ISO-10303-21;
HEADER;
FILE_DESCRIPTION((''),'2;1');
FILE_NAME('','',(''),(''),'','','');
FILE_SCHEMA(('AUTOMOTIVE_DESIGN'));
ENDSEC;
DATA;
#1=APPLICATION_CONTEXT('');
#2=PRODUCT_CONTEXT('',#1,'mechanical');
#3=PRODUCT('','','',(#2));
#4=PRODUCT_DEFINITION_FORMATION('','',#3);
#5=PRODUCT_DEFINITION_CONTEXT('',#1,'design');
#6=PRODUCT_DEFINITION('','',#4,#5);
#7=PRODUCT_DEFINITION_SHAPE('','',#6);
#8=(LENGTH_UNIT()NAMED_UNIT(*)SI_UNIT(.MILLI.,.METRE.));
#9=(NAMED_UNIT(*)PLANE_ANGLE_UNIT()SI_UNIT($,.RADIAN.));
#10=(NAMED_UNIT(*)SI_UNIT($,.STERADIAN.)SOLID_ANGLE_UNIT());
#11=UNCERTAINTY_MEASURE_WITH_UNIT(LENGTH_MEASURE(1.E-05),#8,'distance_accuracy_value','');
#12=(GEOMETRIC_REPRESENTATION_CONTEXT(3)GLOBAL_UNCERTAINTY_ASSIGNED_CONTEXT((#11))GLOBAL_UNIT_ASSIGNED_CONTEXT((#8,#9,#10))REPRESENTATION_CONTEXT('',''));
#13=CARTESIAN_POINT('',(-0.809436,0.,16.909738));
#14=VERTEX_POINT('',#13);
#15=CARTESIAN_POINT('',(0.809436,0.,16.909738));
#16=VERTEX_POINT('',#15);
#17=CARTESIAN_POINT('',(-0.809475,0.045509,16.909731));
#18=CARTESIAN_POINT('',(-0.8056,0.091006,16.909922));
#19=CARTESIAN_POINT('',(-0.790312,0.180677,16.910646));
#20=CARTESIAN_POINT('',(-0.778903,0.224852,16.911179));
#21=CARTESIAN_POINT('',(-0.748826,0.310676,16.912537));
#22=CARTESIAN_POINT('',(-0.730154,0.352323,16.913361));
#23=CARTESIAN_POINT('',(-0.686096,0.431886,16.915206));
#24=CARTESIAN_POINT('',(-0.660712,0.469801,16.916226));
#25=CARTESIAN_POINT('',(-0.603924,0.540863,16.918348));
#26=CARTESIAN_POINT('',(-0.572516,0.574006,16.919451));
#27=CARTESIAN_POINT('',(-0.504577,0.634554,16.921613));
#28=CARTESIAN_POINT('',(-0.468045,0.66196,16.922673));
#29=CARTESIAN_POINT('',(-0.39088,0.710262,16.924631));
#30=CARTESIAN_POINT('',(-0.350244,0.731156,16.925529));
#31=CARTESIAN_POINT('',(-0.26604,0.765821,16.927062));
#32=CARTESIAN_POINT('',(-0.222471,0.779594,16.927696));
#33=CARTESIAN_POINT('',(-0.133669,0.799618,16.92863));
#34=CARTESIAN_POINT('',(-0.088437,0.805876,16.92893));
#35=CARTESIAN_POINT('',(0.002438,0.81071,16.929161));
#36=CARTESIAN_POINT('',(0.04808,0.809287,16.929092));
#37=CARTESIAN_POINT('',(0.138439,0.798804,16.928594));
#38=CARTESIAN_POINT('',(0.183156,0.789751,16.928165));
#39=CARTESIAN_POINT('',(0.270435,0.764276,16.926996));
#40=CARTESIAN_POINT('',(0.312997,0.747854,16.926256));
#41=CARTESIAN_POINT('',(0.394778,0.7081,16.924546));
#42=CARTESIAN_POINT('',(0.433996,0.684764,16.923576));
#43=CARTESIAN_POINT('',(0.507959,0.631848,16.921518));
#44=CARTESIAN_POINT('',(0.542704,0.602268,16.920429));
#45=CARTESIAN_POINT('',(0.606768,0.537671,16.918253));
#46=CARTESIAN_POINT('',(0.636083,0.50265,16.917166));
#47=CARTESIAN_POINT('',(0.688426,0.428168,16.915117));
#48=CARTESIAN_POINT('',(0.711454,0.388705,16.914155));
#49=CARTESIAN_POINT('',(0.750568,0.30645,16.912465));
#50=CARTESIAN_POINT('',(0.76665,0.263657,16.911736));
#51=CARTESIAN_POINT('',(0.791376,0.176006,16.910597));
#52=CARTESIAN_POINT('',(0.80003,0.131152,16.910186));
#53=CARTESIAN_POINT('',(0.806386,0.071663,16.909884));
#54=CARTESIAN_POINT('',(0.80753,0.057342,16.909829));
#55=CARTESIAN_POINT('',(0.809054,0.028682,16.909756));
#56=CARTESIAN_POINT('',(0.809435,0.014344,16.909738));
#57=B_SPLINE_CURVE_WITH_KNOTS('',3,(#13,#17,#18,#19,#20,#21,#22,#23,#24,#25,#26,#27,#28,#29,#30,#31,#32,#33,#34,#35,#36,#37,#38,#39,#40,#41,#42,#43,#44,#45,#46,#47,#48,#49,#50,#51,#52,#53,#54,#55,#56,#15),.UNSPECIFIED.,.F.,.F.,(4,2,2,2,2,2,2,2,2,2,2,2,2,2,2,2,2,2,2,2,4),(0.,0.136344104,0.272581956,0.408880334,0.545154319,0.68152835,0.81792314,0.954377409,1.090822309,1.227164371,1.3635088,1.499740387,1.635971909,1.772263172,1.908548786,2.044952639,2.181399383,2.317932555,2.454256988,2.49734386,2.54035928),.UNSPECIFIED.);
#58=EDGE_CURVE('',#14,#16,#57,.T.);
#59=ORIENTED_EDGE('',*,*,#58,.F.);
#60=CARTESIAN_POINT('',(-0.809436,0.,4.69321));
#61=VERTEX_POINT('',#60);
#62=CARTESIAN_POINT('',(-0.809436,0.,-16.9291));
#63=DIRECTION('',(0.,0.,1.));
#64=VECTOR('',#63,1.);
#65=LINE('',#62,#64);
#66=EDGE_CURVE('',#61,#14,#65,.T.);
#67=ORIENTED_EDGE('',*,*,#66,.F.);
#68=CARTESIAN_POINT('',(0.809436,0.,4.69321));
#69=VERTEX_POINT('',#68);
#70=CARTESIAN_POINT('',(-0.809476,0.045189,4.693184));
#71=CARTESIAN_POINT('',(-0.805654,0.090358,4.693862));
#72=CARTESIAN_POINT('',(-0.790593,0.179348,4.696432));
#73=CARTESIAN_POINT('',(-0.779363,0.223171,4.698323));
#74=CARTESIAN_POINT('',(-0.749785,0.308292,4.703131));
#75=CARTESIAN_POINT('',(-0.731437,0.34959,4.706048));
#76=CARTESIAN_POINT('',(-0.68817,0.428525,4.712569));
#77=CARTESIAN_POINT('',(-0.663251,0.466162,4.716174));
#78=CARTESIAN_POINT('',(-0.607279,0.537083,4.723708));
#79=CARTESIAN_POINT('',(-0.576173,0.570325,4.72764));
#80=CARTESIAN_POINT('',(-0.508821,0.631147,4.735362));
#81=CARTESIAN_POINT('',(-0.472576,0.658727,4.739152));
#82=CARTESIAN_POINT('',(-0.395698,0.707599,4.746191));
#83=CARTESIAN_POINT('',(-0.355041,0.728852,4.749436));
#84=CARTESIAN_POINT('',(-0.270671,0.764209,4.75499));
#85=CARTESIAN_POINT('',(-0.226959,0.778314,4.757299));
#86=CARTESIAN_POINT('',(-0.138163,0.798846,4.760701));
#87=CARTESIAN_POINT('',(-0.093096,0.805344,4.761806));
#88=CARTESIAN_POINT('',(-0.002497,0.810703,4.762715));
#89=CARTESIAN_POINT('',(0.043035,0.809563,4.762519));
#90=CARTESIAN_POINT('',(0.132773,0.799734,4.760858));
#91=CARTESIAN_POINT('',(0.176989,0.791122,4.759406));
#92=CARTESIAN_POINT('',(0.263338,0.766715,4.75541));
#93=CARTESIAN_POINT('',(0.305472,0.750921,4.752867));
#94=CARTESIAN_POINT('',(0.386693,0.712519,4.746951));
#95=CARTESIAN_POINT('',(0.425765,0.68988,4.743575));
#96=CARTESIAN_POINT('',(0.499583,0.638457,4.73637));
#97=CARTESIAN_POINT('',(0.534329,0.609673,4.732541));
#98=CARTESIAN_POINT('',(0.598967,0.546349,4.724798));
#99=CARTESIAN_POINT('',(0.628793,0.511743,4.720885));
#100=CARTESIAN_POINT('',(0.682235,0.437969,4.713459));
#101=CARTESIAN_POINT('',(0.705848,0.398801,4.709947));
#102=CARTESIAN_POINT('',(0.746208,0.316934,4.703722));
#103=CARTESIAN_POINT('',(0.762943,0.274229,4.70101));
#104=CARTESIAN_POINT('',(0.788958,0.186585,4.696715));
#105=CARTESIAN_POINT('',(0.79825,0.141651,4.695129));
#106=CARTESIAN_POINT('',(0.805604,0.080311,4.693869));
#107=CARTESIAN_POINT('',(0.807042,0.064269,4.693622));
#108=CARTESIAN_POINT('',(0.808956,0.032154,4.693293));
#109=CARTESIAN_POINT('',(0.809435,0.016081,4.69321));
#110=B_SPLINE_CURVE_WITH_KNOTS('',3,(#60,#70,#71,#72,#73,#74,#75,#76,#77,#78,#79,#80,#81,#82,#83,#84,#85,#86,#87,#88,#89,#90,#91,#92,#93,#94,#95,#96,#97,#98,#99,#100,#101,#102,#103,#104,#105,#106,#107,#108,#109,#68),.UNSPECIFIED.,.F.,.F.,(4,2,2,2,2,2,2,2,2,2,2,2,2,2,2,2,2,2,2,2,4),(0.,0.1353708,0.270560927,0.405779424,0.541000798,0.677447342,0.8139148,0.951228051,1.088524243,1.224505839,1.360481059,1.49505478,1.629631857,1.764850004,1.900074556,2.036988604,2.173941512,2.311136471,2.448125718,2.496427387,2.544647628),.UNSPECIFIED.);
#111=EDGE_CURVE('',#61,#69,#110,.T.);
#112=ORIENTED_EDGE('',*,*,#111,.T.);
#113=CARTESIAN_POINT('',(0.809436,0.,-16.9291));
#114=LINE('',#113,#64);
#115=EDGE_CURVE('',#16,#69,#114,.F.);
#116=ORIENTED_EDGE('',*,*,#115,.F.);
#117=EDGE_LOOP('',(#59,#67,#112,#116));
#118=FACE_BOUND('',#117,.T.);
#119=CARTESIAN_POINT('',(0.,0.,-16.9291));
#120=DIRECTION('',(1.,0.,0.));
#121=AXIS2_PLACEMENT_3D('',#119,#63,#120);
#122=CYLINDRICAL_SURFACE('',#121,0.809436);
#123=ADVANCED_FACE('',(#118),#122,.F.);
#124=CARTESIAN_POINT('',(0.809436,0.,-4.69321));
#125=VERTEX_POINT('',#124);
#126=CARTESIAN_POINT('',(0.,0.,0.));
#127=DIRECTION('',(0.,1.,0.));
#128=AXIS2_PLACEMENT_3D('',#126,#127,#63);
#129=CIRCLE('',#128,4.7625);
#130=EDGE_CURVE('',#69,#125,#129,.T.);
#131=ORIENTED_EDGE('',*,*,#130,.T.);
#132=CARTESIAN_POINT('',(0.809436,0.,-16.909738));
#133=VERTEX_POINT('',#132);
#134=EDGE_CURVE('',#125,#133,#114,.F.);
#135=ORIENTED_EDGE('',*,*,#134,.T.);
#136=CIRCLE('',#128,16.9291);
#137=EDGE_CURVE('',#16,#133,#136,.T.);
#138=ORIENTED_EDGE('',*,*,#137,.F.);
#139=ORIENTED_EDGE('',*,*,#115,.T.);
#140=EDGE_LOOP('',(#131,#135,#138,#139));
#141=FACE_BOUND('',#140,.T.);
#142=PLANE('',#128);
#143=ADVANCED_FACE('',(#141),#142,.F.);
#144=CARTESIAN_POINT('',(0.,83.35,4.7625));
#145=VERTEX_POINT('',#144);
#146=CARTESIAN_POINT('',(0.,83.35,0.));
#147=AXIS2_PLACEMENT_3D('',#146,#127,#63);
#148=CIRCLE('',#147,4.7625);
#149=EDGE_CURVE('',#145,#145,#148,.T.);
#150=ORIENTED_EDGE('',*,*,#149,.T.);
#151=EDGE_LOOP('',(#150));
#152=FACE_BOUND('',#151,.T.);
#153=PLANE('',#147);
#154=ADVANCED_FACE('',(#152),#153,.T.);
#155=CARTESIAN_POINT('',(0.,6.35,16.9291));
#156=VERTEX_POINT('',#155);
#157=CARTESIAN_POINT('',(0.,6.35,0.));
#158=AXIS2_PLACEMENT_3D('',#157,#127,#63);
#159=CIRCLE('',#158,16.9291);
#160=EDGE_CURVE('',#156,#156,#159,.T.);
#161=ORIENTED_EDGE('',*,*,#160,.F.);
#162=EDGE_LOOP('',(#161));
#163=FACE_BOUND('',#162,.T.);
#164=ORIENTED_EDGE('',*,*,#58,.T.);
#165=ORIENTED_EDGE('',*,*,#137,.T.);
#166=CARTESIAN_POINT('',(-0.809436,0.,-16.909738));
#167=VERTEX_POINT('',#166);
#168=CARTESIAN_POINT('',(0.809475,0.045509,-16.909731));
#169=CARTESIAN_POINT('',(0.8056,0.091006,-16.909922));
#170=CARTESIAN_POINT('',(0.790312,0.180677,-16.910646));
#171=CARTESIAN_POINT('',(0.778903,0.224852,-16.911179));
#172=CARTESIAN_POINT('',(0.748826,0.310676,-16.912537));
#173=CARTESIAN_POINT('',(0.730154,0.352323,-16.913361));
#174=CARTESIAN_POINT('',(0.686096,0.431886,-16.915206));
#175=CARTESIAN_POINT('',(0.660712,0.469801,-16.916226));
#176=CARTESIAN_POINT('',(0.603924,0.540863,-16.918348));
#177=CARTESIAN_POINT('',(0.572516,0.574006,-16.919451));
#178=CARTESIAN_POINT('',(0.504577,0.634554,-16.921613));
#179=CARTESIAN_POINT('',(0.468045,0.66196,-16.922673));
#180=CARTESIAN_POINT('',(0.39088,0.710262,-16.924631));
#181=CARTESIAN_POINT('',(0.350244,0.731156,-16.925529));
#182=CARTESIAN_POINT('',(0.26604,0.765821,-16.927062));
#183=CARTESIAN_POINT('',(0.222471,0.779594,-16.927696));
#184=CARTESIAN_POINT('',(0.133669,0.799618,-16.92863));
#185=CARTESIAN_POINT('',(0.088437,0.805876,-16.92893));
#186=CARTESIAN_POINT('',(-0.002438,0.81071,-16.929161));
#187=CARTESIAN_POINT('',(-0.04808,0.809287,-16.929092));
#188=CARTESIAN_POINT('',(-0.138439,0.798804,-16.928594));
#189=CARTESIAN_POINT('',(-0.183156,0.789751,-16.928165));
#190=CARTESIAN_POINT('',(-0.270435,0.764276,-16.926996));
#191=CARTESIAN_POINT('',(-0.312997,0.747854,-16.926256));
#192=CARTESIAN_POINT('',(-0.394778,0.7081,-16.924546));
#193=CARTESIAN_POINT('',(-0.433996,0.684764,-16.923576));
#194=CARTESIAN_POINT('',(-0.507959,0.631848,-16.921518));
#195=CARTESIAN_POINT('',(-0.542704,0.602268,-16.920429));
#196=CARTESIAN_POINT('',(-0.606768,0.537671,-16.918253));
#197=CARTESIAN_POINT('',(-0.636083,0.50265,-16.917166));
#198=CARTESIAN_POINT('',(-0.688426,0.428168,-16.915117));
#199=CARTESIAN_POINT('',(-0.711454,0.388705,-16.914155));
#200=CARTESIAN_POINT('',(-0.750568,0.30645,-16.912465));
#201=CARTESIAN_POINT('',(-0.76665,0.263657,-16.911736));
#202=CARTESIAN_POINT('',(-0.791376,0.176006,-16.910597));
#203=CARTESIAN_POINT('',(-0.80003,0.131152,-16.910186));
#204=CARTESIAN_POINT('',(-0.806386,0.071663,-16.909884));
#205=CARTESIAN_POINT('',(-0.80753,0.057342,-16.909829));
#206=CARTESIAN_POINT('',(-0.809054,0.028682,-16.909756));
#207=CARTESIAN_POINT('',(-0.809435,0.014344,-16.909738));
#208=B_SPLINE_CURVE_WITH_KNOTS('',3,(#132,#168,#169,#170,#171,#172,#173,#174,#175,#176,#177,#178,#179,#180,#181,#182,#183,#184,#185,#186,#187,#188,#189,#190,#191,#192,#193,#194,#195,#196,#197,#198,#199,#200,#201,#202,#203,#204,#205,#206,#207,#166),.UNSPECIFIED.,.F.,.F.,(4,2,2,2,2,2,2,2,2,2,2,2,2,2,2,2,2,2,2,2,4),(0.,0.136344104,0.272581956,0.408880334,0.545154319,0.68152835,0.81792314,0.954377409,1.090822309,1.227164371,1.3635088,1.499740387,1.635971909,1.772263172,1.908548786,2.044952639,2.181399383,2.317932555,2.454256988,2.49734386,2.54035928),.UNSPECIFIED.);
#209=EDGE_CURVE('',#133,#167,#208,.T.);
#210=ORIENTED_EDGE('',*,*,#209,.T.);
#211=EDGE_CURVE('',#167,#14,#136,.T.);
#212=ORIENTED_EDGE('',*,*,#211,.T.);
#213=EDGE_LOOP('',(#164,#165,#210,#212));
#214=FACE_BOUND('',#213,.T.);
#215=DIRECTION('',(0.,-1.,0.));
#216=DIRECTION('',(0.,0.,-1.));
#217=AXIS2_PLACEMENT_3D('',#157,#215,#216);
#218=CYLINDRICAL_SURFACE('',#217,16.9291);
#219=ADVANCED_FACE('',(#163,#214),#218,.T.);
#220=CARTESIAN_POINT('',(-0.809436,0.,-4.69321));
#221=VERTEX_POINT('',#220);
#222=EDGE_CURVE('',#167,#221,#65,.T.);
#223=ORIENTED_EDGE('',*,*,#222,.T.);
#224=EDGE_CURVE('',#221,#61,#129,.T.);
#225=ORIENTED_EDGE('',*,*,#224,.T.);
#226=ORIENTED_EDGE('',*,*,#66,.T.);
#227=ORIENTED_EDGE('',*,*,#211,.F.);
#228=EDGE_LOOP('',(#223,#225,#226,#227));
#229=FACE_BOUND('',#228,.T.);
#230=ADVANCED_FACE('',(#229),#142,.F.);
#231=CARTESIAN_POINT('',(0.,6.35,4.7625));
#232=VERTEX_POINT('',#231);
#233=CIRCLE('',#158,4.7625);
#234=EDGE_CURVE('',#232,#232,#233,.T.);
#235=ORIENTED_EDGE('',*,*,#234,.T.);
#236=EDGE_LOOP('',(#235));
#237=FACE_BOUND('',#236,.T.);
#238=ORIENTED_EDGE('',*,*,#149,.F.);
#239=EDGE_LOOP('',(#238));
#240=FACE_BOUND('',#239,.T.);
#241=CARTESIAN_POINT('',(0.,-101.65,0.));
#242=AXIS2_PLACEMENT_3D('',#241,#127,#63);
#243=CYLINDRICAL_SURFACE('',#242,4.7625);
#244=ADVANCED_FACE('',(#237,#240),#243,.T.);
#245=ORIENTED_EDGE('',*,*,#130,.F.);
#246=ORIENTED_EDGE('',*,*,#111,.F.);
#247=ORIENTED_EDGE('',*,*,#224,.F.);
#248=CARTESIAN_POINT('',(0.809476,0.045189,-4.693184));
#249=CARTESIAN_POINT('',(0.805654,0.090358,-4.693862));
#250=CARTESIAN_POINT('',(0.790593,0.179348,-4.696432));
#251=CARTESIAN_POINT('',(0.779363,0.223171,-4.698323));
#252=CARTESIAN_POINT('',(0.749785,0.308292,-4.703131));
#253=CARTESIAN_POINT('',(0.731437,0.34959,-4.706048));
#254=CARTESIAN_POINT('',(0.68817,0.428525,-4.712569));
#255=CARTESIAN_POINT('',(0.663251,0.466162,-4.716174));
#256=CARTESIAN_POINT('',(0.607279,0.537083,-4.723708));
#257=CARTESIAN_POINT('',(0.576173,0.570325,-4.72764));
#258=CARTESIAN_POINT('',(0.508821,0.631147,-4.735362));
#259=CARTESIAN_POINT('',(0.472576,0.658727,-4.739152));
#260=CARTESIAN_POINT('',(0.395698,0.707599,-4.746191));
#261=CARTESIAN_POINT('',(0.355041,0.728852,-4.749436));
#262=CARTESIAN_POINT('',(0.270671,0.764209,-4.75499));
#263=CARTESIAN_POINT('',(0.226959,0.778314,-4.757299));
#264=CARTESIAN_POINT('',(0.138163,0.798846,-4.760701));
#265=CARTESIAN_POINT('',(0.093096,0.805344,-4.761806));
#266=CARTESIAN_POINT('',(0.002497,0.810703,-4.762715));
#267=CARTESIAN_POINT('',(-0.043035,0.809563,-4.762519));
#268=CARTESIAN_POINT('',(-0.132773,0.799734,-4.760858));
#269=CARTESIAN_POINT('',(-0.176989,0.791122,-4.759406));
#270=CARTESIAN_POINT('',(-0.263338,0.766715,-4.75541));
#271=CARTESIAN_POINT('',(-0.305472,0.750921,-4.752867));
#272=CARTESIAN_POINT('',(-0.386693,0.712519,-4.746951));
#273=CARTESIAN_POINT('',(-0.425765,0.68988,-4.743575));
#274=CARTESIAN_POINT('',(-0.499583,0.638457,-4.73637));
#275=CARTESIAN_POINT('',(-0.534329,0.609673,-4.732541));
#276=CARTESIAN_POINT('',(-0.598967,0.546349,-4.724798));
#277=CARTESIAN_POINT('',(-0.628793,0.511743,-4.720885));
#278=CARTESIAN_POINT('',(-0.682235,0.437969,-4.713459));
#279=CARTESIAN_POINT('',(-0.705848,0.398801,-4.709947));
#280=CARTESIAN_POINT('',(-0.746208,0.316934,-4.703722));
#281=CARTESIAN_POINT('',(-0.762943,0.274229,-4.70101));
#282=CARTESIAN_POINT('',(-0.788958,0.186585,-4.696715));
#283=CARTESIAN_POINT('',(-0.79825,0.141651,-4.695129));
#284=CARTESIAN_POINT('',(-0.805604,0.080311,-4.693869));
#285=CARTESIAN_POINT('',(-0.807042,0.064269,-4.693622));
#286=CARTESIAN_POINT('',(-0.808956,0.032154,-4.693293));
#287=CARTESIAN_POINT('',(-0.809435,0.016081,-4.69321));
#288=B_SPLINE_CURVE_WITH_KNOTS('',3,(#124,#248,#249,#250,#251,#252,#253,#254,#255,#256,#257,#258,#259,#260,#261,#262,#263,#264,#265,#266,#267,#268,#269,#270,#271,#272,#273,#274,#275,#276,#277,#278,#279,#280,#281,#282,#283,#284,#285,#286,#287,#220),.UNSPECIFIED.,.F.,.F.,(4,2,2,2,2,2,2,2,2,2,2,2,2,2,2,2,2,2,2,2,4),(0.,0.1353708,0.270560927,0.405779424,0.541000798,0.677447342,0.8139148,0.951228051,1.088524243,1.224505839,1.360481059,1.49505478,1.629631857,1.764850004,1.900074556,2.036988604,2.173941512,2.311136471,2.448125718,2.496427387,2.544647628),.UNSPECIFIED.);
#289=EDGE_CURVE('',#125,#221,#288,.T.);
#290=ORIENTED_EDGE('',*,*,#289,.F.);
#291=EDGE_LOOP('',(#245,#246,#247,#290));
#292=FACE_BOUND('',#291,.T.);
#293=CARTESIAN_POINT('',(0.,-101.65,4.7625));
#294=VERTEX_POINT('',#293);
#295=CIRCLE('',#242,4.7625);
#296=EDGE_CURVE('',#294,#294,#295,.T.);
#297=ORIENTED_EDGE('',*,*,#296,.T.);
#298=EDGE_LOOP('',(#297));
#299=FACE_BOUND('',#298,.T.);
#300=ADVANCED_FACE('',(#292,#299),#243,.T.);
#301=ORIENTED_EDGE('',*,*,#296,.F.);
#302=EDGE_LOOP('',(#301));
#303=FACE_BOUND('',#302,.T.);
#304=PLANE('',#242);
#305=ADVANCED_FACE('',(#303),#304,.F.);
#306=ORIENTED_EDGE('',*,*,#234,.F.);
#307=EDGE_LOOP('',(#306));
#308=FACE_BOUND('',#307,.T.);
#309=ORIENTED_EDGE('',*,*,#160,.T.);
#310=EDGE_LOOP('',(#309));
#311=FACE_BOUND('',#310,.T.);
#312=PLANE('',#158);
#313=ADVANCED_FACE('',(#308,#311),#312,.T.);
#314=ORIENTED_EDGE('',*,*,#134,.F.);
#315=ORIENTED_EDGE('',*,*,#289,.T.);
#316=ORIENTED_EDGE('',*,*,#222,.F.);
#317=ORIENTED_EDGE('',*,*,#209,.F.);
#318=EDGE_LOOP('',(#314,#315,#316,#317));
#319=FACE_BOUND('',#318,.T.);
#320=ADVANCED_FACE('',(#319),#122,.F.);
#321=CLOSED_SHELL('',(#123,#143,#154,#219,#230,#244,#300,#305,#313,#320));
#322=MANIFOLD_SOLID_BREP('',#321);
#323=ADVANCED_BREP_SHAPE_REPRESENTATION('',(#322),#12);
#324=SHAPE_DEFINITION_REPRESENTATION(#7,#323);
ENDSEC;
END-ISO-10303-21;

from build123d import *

# Parameters (mm, degrees)
SKETCH1_R                = 16.9291
BOSS_EXTRUDE1_DEPTH      = 6.35
CUT_EXTRUDE1_DEPTH       = 25.769161343
CUT_EXTRUDE1_DEPTH_BACK  = 25.769161343
SKETCH2_R                = 0.809435985
BOSS_EXTRUDE3_DEPTH      = 77
BOSS_EXTRUDE3_DEPTH_BACK = 108
SKETCH3_R                = 4.7625


with BuildPart() as part:
    # Sketch1 → Boss-Extrude1 (new body)
    with BuildSketch(Plane(origin=(0, 0, 0), x_dir=(1, 0, 0), z_dir=(0, 1, 0))):
        with Locations(Location((0, 0, 0), (0, 0, 270))):
            Circle(SKETCH1_R)
    extrude(amount=BOSS_EXTRUDE1_DEPTH)

    # Sketch2 → Cut-Extrude1 (cut, two sides: drawn at the far end of the back side and taken through both)
    with BuildSketch(Plane.XY.offset(-CUT_EXTRUDE1_DEPTH_BACK)):
        Circle(SKETCH2_R)
    extrude(amount=CUT_EXTRUDE1_DEPTH + CUT_EXTRUDE1_DEPTH_BACK, mode=Mode.SUBTRACT)

    # Sketch3 → Boss-Extrude3 (add, two sides: drawn at the far end of the back side and taken through both)
    with BuildSketch(Plane(origin=(0, 6.35, 0), x_dir=(1, 0, 0), z_dir=(0, 1, 0)).offset(-BOSS_EXTRUDE3_DEPTH_BACK)):
        with Locations(Location((0, 0, 0), (0, 0, 270))):
            Circle(SKETCH3_R)
    extrude(amount=BOSS_EXTRUDE3_DEPTH + BOSS_EXTRUDE3_DEPTH_BACK)


solid = part.part
